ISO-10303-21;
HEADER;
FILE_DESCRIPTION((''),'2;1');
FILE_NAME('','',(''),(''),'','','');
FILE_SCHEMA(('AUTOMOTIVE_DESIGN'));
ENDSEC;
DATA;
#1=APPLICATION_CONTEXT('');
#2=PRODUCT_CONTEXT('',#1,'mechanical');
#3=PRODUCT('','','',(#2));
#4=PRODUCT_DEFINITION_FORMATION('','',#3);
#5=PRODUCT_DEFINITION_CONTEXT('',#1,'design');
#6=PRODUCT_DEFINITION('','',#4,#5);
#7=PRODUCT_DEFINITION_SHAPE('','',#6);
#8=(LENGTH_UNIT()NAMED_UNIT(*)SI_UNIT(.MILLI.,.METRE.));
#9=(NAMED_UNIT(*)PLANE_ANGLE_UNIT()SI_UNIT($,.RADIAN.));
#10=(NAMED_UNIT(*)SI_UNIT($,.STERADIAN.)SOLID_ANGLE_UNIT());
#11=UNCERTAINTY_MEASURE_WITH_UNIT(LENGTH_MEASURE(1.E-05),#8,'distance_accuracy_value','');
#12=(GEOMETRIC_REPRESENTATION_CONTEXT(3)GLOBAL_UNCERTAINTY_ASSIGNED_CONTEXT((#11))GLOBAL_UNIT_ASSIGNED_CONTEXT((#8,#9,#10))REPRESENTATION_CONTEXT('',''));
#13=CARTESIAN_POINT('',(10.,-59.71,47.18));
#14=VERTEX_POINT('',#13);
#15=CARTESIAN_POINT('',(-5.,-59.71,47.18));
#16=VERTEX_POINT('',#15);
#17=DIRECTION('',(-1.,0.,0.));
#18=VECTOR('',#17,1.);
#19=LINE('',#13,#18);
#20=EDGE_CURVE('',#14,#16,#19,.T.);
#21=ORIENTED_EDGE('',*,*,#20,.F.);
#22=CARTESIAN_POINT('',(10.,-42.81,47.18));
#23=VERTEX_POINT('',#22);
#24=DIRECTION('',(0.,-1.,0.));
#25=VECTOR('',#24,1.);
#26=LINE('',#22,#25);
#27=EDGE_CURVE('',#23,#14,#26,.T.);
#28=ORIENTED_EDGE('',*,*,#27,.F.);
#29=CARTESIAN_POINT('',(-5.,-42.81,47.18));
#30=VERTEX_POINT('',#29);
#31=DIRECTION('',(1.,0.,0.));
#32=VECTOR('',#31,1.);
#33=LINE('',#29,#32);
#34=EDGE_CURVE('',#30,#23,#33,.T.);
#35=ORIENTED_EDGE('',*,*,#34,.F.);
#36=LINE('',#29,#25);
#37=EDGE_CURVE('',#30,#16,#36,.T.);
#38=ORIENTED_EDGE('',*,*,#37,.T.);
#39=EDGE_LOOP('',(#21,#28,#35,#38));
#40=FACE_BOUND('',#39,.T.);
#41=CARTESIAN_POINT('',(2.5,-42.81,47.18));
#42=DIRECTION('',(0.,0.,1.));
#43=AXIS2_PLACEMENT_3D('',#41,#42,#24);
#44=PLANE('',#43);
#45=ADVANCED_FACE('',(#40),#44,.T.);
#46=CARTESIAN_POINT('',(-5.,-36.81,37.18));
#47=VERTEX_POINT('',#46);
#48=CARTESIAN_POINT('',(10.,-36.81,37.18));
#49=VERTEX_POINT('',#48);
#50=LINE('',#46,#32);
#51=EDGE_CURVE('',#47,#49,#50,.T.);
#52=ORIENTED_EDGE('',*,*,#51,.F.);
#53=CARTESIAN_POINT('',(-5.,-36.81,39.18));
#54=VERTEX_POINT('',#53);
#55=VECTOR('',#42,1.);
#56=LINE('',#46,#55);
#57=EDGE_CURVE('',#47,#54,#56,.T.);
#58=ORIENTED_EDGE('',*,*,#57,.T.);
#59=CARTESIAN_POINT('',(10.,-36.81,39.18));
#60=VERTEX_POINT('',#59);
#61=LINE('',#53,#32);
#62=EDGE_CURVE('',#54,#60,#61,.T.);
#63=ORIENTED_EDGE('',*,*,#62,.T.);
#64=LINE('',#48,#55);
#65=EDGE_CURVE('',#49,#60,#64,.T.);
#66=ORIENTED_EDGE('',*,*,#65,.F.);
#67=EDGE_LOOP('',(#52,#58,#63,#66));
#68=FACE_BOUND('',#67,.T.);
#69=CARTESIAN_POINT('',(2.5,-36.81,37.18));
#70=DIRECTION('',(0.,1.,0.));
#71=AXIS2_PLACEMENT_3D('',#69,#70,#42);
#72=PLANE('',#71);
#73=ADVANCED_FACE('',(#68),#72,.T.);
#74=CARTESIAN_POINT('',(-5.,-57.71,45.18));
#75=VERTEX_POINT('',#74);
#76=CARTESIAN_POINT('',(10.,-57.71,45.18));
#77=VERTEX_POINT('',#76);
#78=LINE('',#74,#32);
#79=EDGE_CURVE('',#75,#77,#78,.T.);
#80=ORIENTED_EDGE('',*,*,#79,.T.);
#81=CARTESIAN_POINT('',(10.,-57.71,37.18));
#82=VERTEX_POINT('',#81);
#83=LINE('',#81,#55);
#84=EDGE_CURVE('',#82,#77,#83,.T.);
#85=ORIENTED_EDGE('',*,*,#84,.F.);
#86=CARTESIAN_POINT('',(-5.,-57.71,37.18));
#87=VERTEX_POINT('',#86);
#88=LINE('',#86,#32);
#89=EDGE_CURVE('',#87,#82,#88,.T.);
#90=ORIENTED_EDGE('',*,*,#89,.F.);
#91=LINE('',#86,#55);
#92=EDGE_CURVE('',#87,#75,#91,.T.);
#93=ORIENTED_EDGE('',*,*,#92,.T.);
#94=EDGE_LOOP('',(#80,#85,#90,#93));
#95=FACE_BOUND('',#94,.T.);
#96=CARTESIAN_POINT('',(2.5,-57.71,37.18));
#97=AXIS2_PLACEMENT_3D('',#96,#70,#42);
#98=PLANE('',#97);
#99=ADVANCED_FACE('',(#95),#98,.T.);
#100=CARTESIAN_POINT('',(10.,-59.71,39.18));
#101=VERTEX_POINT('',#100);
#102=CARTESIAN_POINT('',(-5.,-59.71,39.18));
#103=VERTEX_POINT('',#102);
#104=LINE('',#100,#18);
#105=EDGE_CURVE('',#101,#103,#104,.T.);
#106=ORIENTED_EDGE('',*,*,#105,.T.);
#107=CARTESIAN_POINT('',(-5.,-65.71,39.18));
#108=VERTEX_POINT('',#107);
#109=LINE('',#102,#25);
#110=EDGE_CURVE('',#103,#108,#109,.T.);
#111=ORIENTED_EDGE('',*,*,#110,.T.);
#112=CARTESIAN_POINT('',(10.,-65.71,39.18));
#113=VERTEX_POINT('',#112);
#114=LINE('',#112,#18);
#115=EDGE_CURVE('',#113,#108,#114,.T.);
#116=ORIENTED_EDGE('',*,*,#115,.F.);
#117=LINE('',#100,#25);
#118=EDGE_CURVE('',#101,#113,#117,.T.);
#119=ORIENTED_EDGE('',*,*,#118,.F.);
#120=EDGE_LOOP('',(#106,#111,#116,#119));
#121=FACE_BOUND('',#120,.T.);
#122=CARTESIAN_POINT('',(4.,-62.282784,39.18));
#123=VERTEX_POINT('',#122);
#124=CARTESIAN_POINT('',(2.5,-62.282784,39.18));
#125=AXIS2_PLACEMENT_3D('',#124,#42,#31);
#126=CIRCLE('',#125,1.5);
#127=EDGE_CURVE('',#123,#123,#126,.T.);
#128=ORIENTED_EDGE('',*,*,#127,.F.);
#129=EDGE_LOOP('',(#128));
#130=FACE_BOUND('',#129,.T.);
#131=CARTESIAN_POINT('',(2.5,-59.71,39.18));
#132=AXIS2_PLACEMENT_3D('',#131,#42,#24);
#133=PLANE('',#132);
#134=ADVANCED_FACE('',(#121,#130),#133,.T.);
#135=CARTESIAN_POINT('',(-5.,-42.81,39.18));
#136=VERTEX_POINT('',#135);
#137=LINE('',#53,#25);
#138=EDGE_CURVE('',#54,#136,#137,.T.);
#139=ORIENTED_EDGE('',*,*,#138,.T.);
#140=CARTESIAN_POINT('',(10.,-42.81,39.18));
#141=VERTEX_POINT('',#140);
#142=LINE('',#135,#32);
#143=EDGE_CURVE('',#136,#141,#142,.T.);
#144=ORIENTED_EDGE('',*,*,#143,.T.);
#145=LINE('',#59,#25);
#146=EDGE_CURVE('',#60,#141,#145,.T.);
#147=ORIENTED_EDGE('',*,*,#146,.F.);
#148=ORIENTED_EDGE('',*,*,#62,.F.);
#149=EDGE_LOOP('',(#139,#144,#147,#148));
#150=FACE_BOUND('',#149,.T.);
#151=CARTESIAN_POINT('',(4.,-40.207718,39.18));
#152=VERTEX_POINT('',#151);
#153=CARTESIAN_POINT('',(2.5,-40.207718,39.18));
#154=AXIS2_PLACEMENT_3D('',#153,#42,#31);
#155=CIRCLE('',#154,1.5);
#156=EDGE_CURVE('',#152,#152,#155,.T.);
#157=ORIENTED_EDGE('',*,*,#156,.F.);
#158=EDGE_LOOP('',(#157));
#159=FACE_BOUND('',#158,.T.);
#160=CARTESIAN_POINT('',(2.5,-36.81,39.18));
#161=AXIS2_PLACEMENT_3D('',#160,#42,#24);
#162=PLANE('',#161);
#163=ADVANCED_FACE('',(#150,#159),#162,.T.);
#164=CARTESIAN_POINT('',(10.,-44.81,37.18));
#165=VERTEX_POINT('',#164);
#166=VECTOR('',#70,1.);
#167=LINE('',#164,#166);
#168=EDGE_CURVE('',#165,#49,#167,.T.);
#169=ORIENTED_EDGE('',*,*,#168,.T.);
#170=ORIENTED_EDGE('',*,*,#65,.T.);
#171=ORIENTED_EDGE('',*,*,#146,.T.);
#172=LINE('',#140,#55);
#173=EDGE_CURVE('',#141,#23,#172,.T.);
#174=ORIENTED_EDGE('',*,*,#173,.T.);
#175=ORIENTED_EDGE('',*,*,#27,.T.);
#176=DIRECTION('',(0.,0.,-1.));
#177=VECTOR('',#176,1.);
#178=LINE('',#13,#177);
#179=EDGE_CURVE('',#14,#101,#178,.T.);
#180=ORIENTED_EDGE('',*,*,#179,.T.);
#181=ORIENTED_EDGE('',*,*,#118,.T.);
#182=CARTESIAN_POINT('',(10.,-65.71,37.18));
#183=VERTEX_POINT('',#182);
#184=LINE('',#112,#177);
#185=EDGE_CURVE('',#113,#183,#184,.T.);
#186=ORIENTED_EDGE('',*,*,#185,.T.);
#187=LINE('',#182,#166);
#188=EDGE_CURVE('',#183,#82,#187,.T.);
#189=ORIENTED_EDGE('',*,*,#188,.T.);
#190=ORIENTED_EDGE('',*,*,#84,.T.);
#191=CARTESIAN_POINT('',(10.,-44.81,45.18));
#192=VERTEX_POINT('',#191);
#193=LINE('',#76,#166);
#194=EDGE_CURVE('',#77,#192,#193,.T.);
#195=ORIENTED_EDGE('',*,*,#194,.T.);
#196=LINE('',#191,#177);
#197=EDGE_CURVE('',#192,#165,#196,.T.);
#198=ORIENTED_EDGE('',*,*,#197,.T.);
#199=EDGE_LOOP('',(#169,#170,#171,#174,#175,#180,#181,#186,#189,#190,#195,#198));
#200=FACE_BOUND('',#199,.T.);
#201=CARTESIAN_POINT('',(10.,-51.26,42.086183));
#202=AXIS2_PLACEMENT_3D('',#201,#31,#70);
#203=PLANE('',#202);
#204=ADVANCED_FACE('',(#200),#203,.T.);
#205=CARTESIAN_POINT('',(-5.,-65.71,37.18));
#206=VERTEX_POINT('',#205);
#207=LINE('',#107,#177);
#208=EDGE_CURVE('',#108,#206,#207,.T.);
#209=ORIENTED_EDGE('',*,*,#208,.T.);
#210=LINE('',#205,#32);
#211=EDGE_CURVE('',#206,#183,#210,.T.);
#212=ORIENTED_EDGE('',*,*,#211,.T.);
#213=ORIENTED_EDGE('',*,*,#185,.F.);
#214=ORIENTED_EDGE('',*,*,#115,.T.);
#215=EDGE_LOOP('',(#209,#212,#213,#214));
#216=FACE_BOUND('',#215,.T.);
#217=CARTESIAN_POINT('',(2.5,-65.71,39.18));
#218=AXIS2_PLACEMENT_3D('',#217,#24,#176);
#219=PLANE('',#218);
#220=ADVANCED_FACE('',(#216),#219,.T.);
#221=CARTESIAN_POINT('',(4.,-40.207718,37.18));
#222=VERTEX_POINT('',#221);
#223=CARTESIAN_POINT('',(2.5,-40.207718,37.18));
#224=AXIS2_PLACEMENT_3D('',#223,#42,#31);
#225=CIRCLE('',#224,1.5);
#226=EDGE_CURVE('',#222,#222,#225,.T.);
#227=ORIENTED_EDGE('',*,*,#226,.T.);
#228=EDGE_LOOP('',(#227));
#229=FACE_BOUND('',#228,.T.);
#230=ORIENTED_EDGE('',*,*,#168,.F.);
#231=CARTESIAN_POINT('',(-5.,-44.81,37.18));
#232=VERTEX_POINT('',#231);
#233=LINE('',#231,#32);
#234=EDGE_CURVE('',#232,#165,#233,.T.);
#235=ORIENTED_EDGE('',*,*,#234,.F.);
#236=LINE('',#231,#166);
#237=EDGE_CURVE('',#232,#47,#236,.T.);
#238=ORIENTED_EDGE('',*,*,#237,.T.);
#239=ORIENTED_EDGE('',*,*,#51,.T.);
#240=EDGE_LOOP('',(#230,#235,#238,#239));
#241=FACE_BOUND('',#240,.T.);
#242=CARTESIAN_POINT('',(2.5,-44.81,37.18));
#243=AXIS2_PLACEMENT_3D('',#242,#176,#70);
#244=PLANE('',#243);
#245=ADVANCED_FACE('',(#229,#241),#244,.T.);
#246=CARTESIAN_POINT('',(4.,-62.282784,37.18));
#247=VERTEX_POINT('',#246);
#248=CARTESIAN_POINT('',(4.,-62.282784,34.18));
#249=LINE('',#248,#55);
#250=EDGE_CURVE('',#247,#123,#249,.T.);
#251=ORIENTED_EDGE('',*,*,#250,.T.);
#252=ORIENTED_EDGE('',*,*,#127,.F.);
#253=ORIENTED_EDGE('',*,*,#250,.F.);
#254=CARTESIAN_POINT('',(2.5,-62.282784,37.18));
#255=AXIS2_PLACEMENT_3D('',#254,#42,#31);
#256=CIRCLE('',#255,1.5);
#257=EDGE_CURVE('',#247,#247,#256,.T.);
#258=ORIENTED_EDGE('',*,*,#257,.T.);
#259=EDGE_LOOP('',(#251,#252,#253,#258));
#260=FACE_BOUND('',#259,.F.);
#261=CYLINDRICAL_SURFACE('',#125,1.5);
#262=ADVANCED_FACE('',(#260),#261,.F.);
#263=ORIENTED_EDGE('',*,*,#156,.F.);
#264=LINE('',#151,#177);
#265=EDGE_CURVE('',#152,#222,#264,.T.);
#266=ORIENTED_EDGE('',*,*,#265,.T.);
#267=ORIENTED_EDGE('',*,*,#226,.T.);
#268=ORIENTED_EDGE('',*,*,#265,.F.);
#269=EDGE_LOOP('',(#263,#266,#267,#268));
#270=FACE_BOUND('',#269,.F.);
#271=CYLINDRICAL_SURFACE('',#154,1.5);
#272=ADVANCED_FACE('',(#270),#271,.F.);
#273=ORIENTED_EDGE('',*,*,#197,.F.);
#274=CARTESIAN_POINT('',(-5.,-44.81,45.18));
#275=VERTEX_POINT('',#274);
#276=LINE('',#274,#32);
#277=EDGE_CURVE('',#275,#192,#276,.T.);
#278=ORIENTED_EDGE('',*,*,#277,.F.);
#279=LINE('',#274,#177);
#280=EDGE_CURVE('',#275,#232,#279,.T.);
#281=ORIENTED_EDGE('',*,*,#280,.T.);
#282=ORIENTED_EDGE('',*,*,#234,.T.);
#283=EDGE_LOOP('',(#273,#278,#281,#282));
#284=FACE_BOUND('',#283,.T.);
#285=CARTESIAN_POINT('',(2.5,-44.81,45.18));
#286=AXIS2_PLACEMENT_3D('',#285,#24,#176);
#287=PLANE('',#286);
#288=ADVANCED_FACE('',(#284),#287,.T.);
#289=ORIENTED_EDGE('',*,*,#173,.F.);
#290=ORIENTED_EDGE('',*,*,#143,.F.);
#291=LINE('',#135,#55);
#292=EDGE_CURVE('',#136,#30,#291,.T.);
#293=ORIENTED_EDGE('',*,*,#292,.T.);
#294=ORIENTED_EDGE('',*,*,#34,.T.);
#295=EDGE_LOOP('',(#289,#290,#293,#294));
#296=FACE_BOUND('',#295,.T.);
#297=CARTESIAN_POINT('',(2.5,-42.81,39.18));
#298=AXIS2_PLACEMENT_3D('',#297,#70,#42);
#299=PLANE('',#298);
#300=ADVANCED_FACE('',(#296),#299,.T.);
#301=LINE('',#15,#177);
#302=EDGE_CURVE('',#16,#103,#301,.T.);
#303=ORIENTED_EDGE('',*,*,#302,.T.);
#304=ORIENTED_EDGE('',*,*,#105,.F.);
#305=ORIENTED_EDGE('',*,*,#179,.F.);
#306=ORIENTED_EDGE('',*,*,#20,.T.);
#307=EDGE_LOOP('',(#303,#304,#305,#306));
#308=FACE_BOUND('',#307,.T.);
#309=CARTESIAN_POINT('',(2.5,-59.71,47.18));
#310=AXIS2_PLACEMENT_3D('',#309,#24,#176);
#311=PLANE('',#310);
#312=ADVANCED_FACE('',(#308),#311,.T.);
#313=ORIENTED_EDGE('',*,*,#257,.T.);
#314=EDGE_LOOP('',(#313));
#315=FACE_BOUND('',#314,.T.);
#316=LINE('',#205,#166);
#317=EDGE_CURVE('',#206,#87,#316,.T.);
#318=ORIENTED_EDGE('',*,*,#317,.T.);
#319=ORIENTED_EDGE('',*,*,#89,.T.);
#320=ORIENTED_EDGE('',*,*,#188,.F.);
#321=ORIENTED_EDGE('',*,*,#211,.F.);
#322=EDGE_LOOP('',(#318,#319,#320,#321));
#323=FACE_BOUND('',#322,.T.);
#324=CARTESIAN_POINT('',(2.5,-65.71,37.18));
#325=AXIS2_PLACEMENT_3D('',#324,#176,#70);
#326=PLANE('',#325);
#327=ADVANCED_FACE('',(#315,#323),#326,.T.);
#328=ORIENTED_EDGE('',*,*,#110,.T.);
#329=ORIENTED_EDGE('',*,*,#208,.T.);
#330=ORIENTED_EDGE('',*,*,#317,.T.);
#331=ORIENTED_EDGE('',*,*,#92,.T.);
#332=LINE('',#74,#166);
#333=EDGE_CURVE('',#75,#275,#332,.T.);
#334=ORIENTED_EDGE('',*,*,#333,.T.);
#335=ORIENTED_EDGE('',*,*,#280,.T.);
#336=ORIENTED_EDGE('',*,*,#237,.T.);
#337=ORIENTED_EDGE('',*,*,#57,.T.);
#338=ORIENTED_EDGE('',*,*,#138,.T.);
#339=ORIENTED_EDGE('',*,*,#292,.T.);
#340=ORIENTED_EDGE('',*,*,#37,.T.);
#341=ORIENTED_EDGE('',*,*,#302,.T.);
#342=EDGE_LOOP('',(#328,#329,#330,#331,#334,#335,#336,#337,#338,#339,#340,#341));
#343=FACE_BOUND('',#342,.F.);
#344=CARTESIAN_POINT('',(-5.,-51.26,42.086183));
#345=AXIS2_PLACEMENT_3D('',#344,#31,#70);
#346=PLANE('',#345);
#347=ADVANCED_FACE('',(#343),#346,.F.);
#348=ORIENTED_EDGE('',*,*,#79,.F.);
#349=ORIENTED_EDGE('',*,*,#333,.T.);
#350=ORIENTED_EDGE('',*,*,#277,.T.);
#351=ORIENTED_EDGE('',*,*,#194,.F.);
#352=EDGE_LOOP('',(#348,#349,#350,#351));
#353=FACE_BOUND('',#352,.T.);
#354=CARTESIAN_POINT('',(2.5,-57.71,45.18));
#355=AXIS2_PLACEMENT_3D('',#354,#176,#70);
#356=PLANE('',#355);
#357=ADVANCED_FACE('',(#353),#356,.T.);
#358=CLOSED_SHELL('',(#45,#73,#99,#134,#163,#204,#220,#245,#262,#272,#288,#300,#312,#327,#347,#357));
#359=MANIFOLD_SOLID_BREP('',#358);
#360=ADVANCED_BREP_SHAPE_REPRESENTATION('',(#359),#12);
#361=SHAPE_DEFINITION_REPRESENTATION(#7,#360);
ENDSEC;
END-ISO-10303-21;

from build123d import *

# Parameters (mm, degrees)
SKETCH060_R      = 1.5
EXTRUDE065_DEPTH = 5
EXTRUDE064_DEPTH = 7.5


with BuildPart() as screw_gaps:
    # Sketch060 (on Face8 of Extrude064) → Extrude065 (new body, symmetric)
    with BuildSketch(Plane.XY.offset(39.18)):
        with Locations((0, -40.207718)):
            Circle(SKETCH060_R)
        with Locations((0, -62.282784)):
            Circle(SKETCH060_R)
    extrude(amount=EXTRUDE065_DEPTH, both=True)


with BuildPart() as servo_fixer:
    # Sketch059 → Extrude064 (new body, symmetric)
    with BuildSketch(Plane.YZ):
        Polygon((-65.71, 39.18), (-65.71, 37.18), (-57.71, 37.18), (-57.71, 45.18), (-44.81, 45.18), (-44.81, 37.18), (-36.81, 37.18), (-36.81, 39.18), (-42.81, 39.18), (-42.81, 47.18), (-59.71, 47.18), (-59.71, 39.18), align=None)
    extrude(amount=EXTRUDE064_DEPTH, both=True)

    # Cut036: cut Screw Gaps
    add(screw_gaps.part, mode=Mode.SUBTRACT)


with BuildPart() as servo_fixer_1:
    # Cut036 placement: moved
    add(servo_fixer.part.moved(Location((2.5, 0, 0))))


solid = servo_fixer_1.part
